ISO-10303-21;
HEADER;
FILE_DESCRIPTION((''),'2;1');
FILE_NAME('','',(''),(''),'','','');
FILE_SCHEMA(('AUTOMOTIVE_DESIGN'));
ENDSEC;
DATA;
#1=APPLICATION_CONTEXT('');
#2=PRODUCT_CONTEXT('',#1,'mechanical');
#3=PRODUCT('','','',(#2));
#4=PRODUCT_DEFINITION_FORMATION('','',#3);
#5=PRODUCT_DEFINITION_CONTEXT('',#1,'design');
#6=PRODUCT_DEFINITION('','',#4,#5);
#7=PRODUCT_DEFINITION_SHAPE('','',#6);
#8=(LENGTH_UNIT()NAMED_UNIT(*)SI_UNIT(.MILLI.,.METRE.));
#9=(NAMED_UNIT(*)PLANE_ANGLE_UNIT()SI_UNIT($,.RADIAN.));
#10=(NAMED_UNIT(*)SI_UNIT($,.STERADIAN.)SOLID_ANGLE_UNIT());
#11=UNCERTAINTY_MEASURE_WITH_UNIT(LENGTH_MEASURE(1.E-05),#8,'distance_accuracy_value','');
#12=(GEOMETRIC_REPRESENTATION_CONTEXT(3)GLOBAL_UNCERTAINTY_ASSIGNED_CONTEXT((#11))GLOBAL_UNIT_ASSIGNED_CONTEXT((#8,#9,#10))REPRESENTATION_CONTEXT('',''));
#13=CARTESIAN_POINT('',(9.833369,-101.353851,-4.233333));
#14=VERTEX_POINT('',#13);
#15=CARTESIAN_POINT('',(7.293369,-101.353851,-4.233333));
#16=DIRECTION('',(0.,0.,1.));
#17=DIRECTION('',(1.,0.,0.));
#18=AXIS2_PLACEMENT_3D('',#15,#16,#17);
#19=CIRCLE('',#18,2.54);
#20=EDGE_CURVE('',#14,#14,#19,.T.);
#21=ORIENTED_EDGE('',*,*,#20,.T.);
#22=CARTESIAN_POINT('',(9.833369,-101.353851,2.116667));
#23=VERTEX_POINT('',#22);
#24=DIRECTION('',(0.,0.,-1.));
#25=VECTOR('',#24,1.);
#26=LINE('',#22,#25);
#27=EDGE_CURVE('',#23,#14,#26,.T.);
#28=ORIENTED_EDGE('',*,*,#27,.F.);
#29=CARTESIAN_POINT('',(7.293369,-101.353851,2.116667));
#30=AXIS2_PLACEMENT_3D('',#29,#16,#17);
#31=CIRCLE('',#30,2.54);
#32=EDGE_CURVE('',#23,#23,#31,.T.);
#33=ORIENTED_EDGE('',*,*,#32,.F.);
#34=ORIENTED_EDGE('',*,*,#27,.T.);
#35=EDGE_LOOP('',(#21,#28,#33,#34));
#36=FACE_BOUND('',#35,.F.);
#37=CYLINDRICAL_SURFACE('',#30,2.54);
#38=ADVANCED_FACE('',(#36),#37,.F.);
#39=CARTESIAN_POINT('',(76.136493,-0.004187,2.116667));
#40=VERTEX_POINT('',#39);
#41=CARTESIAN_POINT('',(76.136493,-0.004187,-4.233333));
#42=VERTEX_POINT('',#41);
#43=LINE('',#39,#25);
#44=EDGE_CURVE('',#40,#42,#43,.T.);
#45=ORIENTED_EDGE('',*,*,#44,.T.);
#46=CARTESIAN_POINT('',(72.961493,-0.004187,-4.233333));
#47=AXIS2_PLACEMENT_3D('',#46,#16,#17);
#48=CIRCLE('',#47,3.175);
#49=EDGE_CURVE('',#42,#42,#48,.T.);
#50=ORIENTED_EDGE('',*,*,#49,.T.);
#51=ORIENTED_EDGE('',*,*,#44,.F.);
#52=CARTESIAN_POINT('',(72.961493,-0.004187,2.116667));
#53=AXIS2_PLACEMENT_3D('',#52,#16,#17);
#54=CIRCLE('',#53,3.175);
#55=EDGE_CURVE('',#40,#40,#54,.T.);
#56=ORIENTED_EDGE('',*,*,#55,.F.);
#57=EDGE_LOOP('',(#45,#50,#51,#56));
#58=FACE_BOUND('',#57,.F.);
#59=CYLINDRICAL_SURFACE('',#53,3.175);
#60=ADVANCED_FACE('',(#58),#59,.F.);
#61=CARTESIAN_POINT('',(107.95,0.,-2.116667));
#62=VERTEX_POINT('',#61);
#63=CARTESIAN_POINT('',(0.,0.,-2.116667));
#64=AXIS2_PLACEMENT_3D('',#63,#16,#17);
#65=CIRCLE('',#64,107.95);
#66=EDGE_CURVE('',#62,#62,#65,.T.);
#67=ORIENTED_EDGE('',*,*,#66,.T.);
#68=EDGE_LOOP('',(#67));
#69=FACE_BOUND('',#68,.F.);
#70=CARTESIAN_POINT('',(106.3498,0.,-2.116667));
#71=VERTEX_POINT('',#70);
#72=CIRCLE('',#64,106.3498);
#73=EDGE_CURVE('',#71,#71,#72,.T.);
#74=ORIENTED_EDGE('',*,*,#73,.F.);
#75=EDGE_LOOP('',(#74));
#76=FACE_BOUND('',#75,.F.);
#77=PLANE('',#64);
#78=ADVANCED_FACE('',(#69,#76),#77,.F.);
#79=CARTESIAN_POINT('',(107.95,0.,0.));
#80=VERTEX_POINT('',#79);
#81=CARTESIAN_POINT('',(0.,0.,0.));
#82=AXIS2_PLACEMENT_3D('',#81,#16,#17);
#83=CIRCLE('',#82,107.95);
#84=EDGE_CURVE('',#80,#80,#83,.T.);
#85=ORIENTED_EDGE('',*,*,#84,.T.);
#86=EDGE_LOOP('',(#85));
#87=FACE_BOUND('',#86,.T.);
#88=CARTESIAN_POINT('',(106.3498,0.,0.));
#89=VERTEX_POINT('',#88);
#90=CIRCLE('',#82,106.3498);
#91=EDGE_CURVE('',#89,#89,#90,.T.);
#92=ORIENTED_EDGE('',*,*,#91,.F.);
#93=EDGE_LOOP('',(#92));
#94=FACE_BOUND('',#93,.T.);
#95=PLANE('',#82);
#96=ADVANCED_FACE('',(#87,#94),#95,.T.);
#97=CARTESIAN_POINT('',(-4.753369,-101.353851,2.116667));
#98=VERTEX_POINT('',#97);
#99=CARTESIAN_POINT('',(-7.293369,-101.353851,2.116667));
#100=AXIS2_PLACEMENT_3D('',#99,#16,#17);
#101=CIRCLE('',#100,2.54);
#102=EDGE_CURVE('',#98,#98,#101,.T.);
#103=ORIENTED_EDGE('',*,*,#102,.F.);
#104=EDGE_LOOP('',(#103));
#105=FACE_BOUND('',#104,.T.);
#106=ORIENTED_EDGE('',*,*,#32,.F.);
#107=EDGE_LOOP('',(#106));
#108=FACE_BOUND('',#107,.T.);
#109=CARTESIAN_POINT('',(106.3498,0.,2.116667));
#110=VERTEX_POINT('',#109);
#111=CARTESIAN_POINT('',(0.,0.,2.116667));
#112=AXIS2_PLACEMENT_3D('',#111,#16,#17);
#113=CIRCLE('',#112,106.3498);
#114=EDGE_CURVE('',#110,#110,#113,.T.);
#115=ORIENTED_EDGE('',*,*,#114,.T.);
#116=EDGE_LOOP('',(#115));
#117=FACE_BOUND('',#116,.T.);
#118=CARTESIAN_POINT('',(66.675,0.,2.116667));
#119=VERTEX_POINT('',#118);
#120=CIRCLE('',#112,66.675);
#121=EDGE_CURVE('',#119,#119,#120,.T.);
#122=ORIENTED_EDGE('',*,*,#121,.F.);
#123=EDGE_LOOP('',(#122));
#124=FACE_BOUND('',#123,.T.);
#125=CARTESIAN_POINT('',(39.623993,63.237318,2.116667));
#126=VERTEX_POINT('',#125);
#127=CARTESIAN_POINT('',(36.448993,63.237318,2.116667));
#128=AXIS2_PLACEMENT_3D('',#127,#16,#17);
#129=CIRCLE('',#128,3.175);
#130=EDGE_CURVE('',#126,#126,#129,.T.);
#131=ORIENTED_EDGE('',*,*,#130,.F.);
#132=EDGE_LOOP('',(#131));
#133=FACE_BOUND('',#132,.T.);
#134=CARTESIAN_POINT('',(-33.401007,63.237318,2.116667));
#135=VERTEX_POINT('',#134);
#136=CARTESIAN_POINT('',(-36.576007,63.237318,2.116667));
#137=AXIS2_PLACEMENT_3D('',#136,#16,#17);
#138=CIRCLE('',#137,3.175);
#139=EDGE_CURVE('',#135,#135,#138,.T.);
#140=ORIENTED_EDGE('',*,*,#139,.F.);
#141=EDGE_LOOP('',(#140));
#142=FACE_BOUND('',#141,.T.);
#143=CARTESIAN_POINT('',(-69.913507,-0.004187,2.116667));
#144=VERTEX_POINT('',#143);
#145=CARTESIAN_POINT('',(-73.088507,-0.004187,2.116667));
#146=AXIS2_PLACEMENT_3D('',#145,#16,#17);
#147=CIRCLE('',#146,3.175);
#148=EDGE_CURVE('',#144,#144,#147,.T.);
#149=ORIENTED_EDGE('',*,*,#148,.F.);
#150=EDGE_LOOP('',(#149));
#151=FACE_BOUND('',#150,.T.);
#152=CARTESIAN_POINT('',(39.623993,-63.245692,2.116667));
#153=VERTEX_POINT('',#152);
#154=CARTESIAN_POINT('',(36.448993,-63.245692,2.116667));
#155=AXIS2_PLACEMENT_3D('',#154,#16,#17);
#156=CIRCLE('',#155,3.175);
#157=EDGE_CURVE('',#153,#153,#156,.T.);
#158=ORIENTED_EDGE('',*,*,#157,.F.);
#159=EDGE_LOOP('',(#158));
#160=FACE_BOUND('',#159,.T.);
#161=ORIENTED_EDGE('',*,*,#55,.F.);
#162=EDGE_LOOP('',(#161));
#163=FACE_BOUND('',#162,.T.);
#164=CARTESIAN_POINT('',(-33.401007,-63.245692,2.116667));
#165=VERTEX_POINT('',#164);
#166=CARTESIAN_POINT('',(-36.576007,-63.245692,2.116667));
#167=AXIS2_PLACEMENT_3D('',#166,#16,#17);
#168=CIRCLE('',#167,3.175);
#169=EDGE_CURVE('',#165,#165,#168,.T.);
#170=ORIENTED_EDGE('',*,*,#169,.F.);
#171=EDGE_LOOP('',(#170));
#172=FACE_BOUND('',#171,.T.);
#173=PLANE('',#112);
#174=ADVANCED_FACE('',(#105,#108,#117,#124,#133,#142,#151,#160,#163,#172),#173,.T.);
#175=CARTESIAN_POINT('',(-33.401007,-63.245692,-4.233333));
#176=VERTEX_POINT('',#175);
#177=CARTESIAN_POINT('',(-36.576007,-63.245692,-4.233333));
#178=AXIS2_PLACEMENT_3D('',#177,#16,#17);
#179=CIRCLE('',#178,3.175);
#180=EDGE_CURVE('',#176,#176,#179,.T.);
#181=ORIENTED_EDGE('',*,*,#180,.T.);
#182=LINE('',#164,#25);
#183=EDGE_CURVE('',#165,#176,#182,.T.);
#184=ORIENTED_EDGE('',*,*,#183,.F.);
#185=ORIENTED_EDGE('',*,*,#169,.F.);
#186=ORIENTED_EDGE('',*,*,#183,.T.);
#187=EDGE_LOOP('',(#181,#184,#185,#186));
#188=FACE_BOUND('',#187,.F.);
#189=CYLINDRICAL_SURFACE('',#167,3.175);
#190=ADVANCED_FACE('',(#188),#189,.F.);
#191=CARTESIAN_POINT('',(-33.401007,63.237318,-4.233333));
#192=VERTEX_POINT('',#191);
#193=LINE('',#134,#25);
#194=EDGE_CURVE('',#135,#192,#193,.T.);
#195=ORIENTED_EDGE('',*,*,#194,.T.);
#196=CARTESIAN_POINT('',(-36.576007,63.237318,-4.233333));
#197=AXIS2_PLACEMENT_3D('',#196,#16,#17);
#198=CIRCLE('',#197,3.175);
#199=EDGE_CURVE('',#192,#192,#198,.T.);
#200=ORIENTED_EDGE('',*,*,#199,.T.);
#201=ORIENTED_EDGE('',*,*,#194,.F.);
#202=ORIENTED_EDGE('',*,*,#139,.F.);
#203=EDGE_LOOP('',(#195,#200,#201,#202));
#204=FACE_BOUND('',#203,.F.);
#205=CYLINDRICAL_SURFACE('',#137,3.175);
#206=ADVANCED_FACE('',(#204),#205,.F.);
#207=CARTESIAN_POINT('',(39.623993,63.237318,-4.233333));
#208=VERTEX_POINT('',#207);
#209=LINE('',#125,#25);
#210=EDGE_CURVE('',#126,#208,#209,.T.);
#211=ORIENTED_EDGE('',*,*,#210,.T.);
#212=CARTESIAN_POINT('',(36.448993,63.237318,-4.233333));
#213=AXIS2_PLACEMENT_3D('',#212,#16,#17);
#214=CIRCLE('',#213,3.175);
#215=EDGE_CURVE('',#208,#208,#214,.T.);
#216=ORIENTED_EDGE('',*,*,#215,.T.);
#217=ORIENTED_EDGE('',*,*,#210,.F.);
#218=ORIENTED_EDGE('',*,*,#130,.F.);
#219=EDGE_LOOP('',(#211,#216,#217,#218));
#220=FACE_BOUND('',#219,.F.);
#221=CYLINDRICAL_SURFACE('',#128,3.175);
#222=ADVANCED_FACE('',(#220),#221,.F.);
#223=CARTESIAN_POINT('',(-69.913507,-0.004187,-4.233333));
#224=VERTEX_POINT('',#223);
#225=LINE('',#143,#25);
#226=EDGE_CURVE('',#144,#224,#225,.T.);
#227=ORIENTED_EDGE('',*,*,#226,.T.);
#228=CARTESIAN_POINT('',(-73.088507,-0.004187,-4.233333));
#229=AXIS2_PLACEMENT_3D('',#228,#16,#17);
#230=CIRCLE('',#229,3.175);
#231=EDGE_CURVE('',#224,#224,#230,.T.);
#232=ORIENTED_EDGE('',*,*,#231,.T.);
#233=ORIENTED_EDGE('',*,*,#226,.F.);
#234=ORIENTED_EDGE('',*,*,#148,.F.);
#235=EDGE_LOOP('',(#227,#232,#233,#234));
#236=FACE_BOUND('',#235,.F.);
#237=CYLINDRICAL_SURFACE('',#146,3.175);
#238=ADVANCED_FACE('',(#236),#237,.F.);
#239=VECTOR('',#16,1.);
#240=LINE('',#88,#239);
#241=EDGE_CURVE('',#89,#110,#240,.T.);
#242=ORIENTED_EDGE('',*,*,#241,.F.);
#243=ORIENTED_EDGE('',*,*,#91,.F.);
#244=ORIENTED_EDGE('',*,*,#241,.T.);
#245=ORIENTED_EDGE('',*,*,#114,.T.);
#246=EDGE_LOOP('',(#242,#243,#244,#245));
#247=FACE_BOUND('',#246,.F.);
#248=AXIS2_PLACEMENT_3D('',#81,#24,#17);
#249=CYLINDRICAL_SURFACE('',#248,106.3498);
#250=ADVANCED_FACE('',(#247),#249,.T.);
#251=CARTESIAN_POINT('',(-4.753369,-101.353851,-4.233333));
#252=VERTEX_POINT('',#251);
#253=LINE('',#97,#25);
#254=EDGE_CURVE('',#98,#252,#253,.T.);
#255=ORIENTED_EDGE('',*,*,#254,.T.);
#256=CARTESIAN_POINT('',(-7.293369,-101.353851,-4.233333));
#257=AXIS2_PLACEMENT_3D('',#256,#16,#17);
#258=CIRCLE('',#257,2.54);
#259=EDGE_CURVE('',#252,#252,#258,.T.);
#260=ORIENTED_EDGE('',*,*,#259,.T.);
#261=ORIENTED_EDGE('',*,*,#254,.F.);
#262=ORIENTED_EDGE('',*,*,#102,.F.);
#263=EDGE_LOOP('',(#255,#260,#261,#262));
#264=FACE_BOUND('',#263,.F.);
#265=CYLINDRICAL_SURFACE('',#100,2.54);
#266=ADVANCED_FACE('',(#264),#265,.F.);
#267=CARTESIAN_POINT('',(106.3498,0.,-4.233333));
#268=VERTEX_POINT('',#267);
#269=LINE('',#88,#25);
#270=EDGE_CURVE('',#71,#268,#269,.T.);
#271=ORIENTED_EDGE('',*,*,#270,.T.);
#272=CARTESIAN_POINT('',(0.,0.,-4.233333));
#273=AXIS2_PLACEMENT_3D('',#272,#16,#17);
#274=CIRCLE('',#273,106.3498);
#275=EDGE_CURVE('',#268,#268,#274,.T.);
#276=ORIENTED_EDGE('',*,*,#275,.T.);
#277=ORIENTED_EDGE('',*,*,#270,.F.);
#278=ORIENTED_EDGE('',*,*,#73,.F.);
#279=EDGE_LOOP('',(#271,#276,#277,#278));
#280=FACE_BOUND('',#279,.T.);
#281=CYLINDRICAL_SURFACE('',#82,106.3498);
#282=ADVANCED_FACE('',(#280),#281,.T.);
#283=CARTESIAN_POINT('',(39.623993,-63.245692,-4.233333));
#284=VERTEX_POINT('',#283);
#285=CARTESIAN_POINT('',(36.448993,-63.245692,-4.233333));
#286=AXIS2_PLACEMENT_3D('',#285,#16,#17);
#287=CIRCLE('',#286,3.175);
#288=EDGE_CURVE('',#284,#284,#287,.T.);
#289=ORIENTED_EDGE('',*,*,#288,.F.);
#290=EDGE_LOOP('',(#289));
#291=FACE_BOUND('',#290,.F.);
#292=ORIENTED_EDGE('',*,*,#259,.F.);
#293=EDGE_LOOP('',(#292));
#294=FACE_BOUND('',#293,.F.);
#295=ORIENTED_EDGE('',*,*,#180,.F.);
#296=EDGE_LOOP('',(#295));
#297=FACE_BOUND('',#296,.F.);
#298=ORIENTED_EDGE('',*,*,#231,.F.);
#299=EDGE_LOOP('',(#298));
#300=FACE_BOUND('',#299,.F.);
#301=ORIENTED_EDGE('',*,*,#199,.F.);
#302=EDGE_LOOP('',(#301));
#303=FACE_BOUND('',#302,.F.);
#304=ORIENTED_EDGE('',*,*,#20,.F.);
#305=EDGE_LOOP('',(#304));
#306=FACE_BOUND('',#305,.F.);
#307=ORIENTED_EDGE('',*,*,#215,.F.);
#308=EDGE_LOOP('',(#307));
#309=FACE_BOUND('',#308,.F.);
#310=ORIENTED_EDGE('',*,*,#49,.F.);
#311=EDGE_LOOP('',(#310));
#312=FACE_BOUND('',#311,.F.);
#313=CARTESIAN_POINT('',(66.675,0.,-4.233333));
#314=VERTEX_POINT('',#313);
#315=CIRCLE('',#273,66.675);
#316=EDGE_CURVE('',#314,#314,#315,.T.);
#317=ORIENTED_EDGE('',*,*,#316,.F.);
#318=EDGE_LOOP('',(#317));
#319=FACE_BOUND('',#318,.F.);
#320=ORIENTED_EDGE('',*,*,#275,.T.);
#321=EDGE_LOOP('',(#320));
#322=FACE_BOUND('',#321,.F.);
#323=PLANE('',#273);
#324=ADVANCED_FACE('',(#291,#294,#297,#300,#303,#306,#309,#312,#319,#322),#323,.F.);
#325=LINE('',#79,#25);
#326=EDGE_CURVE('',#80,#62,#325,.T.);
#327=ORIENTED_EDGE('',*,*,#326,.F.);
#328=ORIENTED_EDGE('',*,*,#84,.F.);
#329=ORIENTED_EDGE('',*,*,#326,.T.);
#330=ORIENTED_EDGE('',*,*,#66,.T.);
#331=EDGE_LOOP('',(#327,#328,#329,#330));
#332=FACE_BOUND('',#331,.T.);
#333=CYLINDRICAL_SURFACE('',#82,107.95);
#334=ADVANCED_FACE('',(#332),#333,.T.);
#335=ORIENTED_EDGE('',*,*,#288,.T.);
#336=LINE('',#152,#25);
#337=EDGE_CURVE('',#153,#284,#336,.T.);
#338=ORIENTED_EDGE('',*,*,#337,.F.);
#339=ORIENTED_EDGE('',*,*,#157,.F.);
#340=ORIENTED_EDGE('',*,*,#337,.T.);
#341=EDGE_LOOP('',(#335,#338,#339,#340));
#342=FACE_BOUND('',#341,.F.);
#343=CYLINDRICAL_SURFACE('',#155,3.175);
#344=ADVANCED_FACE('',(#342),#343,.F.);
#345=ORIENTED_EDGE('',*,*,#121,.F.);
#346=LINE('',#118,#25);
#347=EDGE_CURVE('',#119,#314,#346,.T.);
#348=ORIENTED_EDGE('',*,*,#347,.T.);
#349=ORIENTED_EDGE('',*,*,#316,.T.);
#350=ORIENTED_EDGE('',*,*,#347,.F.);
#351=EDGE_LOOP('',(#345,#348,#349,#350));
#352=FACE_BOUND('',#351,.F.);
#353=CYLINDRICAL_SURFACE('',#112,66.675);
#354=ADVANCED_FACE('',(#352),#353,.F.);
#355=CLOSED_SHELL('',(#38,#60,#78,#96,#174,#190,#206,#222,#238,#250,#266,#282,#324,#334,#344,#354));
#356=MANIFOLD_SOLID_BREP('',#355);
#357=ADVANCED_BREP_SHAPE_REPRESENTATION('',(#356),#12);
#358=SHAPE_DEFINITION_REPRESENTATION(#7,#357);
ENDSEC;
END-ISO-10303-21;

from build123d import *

# Parameters (mm, degrees)
F0_R      = 106.3498
F1_DEPTH  = 2.116667
F0_R_2    = 107.95
F1_FACE_R = 106.3498
F2_DEPTH  = 2.116667
F3_DEPTH  = 4.233333
F4_R      = 66.675
F5_DEPTH  = 6.351
F6_R      = 3.175
F7_DEPTH  = 25.4
F8_R      = 2.54
F9_DEPTH  = 6.351


with BuildPart() as f1:
    # F0 (on Top) → F1 (new body)
    with BuildSketch(Plane.XY):
        Circle(F0_R)
    extrude(amount=F1_DEPTH)

    # F0 (on Top) + F1_face (on face) → F2 (join)
    with BuildSketch(Plane.XY):
        Circle(F0_R_2)
        Circle(F0_R, mode=Mode.SUBTRACT)
    with BuildSketch(Plane(origin=(0, 0, 0), x_dir=(1, 0, 0), z_dir=(0, 0, -1))):
        Circle(F1_FACE_R)
    extrude(amount=-F2_DEPTH)

    # F0 (on Top) → F3 (join)
    with BuildSketch(Plane.XY):
        Circle(F0_R)
    extrude(amount=-F3_DEPTH)

    # F4 (on face) → F5 (cut, through all)
    with BuildSketch(Plane.XY.offset(2.116667)):
        Circle(F4_R)
    extrude(amount=-F5_DEPTH, mode=Mode.SUBTRACT)

    # F6 (on face) → F7 (cut)
    with BuildSketch(Plane.XY.offset(2.116667)):
        with Locations((-73.088507, -0.004187)):
            Circle(F6_R)
        with Locations((36.448993, 63.237318)):
            Circle(F6_R)
        with Locations((72.961493, -0.004187)):
            Circle(F6_R)
        with Locations((36.448993, -63.245692)):
            Circle(F6_R)
        with Locations((-36.576007, -63.245692)):
            Circle(F6_R)
        with Locations((-36.576007, 63.237318)):
            Circle(F6_R)
    extrude(amount=-F7_DEPTH, mode=Mode.SUBTRACT)

    # F8 (on face) → F9 (cut, through all)
    with BuildSketch(Plane.XY.offset(2.116667)):
        with Locations((-7.293369, -101.353851)):
            Circle(F8_R)
        with Locations((7.293369, -101.353851)):
            Circle(F8_R)
    extrude(amount=-F9_DEPTH, mode=Mode.SUBTRACT)


solid = f1.part
